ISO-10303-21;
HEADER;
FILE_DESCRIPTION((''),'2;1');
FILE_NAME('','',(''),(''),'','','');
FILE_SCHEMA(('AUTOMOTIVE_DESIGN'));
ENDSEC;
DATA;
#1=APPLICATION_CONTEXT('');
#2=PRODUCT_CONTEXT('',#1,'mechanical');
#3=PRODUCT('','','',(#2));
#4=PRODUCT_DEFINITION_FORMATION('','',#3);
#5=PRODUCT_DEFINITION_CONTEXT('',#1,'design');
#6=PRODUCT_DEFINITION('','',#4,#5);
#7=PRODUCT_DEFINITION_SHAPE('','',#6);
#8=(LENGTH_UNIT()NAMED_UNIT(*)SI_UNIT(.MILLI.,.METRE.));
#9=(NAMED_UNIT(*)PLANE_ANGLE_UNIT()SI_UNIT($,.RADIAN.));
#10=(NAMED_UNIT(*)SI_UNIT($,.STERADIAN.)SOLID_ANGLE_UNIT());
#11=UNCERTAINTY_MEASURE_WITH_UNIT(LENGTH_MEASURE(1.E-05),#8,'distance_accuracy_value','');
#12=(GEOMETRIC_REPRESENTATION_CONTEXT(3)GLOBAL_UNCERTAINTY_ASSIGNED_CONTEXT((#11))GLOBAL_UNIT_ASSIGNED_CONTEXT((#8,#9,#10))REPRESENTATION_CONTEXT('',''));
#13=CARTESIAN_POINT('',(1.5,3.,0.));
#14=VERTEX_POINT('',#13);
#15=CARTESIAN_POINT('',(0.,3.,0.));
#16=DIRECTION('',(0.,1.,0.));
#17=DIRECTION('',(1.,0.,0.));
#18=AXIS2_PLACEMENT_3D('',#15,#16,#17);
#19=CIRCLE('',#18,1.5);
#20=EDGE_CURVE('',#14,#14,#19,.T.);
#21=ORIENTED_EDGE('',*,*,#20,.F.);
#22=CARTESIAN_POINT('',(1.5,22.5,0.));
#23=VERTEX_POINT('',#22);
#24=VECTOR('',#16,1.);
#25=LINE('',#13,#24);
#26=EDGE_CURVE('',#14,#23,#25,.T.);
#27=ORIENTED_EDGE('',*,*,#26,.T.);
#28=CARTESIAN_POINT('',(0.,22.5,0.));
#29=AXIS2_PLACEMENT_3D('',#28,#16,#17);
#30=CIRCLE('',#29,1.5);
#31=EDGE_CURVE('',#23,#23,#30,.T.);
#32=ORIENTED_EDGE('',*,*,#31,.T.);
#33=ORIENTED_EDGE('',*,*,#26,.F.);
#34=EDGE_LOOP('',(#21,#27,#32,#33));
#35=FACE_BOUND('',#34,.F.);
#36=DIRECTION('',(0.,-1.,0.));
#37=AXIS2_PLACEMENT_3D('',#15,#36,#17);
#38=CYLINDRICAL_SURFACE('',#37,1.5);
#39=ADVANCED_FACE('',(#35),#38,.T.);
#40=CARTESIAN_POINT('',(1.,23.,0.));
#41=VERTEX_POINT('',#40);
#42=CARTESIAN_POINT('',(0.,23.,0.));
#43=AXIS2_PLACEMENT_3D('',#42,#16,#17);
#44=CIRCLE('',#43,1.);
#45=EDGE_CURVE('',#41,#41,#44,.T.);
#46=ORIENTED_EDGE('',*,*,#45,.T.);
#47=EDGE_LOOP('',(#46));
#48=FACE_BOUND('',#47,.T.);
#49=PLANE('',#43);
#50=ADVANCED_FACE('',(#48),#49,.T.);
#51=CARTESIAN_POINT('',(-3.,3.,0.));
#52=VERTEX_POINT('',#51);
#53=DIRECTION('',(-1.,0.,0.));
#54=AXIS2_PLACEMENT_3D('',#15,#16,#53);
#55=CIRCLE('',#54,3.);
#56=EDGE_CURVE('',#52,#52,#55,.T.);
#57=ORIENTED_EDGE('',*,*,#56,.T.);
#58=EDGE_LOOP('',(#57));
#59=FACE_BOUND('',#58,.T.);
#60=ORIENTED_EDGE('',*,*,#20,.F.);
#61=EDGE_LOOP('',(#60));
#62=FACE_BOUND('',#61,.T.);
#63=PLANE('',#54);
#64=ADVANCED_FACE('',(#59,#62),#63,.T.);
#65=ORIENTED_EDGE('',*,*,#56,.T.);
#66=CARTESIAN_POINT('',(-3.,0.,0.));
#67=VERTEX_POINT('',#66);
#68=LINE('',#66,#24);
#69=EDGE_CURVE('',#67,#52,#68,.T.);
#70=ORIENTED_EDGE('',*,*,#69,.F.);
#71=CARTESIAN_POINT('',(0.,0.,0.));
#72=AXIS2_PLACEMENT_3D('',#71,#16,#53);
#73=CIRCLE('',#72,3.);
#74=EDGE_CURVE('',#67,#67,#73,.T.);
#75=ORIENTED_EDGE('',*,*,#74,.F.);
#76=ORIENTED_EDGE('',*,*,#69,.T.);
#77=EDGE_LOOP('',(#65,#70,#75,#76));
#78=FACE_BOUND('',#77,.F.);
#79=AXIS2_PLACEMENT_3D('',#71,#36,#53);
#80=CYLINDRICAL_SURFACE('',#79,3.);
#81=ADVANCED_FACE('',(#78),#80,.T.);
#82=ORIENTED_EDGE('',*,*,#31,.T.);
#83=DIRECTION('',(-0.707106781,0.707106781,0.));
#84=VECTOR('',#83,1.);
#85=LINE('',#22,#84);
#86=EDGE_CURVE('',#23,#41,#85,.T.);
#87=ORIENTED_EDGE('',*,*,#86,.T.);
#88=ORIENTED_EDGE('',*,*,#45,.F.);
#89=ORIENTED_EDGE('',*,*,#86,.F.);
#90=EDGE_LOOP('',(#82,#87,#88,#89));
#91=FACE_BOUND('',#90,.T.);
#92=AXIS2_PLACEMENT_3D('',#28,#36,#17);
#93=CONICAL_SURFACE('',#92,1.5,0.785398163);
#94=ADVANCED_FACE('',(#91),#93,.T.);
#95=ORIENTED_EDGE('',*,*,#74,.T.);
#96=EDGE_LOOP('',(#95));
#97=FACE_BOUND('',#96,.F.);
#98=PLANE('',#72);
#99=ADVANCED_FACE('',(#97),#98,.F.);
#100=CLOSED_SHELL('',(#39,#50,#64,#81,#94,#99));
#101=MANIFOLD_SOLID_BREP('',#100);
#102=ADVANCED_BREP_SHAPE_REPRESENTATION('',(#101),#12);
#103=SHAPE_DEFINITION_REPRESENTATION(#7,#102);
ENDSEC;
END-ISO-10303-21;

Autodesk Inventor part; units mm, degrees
ref_plane "YZ Plane" through (0, 0, 0) normal (1, 0, 0) x (0, 1, 0)
ref_plane "XZ Plane" through (0, 0, 0) normal (0, 1, 0) x (-1, 0, 0)
ref_plane "XY Plane" through (0, 0, 0) normal (0, 0, 1) x (1, 0, 0)
sketch "Sketch1" plane through (0, 0, 0) normal (0, 1, 0) x (-1, 0, 0)
  circle A0 centre (0, 0) radius 3
  dimension "d0" = 6
extrude "Extrusion1" add sketch "Sketch1" along normal blind 3
sketch "Sketch2" plane through (0, 3, 0) normal (0, 1, 0) x (1, 0, 0)
  circle A0 centre (0, 0) radius 1.5
  dimension "d3" = 3
extrude "Extrusion2" add sketch "Sketch2" along normal blind 20
thread "Thread1" size "M3x0.5" class "6g" standard "ANSI Metric M Profile" length 10 offset 0.5
chamfer "Chamfer1" distance 0.5 angle 45 1 edges at (-1.5, 23, 0)
properties part number "reverse gear link stud"
